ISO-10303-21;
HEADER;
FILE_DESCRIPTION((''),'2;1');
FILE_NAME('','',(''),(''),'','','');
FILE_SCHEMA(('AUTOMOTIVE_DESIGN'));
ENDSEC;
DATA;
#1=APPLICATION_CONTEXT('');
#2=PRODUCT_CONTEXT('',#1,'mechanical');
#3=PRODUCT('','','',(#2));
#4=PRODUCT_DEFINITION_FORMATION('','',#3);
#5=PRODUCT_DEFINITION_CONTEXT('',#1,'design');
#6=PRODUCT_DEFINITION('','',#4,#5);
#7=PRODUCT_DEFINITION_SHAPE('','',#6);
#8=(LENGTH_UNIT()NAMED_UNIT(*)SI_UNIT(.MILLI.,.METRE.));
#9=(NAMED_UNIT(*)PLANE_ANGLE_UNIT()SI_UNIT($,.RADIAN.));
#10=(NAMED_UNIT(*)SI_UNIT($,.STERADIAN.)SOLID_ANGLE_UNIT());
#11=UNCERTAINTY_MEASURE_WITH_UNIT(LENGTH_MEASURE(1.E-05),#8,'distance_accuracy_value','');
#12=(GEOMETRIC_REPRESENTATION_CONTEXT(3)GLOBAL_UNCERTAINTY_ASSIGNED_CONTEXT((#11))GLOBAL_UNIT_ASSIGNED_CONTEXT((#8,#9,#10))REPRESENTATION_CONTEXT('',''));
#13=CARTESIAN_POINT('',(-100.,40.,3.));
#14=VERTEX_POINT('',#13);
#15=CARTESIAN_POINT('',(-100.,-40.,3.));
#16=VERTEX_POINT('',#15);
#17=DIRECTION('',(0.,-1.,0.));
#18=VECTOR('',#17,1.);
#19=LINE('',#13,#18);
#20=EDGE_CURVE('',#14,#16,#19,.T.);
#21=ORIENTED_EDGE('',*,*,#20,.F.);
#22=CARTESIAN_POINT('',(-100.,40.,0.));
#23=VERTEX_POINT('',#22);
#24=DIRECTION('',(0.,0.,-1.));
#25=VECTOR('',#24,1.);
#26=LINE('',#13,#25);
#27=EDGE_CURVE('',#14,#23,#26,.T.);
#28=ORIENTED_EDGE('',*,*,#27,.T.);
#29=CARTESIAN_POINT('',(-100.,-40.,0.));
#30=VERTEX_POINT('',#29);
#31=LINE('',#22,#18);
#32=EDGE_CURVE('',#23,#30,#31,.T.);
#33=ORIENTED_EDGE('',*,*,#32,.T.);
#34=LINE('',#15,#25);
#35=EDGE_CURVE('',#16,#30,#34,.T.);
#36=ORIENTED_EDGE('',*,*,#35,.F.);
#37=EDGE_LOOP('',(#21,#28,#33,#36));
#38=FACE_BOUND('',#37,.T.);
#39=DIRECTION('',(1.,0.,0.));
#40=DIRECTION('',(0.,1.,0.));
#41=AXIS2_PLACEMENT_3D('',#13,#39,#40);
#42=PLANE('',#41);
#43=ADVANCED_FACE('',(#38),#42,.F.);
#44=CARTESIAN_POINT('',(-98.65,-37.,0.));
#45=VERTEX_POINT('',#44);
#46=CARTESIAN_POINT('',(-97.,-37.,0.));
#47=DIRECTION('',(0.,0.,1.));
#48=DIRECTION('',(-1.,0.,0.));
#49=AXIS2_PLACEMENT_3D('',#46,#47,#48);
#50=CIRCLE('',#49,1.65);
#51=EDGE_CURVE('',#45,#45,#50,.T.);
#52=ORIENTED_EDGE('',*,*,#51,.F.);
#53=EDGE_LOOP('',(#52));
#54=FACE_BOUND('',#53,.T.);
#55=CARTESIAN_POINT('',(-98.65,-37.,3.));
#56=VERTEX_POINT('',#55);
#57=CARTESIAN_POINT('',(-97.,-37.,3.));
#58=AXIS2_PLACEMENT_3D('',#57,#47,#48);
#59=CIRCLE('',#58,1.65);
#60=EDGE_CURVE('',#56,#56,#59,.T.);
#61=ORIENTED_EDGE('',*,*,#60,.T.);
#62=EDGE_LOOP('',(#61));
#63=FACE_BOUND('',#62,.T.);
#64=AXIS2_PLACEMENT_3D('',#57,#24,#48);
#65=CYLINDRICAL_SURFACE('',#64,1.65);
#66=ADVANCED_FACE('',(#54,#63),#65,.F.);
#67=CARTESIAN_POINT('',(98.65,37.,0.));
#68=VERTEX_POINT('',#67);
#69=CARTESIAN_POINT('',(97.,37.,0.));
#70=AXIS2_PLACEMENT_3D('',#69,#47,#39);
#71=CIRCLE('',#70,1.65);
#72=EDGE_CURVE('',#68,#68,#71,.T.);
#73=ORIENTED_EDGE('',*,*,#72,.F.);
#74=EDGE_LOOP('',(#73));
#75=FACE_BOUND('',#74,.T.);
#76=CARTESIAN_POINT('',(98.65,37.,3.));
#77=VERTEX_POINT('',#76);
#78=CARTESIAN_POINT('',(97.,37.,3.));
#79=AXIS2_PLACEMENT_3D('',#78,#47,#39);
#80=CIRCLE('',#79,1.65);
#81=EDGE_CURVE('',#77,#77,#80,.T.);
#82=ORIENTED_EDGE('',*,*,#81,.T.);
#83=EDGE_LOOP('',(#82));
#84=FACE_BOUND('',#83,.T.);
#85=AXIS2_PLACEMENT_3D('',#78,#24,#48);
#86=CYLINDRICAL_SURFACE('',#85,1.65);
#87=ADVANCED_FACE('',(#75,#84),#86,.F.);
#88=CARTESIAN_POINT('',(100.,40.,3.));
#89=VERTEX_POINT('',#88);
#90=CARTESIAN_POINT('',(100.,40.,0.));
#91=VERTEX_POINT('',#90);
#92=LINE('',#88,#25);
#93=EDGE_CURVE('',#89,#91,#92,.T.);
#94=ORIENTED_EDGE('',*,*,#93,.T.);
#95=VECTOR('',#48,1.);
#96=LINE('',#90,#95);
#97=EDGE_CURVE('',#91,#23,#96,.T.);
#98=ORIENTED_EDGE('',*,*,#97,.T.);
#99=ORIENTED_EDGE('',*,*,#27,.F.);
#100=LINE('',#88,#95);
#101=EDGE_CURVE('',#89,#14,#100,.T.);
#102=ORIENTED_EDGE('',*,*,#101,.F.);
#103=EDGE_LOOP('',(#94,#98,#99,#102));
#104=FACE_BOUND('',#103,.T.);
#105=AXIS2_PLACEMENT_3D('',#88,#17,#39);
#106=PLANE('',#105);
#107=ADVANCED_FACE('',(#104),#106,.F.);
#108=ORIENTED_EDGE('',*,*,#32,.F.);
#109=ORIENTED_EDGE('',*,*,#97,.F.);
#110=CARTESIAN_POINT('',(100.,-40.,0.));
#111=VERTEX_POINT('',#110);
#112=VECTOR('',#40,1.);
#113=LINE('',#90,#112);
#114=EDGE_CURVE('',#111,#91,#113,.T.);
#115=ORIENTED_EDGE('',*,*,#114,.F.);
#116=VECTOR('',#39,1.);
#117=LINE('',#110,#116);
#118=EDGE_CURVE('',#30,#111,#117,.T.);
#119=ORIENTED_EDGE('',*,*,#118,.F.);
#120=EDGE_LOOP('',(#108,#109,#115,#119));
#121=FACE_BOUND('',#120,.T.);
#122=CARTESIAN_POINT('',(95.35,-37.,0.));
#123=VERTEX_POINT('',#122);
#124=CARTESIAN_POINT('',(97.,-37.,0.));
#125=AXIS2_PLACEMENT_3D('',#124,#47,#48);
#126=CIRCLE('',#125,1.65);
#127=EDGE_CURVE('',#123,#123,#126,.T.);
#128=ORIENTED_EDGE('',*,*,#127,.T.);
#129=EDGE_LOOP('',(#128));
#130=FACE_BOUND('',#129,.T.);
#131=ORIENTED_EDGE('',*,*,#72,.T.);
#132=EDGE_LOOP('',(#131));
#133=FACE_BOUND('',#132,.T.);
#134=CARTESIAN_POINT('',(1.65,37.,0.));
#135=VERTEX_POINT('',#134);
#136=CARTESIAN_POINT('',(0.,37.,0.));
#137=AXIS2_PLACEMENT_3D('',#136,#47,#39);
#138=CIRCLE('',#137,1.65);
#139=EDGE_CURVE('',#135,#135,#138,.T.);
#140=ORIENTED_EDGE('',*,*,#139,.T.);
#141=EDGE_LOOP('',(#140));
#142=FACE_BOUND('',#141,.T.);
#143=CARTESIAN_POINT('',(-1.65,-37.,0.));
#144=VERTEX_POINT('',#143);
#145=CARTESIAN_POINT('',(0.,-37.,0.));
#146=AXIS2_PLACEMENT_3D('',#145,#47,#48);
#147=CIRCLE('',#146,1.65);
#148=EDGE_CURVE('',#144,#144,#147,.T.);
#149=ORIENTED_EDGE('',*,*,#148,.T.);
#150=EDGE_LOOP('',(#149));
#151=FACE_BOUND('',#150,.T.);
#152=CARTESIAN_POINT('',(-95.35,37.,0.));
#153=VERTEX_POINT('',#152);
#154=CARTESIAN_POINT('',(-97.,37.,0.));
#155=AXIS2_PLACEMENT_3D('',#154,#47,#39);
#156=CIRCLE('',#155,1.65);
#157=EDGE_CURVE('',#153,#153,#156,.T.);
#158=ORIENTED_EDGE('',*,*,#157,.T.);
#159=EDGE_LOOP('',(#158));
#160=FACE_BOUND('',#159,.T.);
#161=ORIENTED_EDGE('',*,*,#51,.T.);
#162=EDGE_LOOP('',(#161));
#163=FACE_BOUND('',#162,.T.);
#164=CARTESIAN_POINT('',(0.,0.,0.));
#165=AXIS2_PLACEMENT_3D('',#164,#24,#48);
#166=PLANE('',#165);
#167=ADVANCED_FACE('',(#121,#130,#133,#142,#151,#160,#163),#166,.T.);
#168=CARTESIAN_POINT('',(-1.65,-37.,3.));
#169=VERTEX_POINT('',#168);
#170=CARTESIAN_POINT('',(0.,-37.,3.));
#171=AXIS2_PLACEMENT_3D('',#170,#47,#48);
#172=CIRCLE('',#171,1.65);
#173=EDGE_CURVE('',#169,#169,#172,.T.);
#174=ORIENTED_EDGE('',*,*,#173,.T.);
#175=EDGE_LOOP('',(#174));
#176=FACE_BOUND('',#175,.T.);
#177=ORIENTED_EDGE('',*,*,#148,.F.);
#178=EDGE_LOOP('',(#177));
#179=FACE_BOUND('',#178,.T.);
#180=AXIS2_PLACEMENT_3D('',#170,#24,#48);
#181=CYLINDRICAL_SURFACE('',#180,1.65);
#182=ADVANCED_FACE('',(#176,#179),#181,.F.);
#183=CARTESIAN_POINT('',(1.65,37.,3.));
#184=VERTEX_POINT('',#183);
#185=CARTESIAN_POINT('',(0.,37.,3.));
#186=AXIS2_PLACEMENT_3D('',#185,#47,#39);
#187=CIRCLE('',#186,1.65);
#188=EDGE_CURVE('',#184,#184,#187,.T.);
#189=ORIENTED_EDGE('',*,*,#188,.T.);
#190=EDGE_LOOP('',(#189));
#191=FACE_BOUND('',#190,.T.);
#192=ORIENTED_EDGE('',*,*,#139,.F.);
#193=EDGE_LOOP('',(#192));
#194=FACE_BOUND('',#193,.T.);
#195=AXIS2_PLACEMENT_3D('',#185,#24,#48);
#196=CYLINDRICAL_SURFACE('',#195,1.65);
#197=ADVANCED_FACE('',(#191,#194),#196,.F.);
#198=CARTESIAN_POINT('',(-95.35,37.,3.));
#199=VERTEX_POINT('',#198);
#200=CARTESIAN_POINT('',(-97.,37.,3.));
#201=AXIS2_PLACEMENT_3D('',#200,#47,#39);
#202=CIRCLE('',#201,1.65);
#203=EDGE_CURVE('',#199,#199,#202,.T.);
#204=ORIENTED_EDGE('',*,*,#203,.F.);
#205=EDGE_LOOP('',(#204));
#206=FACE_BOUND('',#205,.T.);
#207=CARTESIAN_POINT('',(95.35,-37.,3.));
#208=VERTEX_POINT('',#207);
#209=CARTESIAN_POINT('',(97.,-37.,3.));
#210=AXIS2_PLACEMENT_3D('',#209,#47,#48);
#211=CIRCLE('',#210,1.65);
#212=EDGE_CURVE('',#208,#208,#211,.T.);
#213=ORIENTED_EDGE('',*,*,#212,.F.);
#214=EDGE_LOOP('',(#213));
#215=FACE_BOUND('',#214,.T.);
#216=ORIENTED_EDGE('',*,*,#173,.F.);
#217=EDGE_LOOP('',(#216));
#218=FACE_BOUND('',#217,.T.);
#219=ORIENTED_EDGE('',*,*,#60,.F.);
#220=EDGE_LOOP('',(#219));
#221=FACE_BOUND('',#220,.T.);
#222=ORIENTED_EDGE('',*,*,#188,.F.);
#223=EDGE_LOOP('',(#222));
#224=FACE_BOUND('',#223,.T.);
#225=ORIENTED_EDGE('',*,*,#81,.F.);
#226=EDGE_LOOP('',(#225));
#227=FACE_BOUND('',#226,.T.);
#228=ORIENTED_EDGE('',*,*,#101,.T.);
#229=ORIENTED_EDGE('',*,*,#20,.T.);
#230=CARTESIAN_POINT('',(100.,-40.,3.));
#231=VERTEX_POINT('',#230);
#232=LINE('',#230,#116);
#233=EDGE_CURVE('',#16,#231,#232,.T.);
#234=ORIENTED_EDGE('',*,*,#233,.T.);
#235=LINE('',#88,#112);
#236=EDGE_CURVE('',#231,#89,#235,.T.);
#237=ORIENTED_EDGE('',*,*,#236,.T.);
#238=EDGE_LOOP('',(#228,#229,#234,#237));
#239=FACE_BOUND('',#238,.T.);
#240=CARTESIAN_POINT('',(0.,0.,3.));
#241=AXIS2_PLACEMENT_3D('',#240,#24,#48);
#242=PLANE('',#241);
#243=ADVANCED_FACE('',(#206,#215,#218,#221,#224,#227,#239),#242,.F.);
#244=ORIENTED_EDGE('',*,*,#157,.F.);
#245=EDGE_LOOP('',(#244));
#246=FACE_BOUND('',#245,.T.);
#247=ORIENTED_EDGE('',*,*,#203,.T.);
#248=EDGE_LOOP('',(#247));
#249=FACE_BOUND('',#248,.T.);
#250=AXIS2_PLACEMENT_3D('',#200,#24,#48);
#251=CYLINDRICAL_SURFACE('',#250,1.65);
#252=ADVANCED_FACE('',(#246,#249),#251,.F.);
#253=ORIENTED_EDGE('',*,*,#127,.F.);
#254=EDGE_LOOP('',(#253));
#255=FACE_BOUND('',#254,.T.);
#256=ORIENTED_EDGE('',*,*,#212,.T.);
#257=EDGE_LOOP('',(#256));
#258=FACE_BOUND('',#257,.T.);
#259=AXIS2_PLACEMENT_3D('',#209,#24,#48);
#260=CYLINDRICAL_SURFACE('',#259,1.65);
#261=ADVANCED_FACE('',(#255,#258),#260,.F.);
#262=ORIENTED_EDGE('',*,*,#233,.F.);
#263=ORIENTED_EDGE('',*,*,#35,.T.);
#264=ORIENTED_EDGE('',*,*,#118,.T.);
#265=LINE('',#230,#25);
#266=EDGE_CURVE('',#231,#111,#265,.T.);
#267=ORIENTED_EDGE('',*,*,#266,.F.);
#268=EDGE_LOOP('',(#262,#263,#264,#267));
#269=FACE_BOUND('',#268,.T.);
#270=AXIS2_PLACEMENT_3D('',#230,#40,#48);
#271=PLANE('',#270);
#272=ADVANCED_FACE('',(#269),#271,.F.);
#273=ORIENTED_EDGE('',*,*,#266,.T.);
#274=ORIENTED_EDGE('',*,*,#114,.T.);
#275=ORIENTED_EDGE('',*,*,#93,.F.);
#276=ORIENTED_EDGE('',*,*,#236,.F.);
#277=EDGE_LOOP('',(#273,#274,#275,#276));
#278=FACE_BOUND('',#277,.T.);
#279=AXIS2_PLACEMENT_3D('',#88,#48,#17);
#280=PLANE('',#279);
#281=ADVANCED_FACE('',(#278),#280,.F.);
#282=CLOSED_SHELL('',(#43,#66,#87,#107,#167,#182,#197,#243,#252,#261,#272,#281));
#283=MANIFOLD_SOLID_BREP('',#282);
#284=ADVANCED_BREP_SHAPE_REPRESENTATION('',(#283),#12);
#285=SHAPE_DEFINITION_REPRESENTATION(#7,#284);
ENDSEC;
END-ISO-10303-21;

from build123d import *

# Parameters (mm, degrees)
SKETCH_1_W      = 200
SKETCH_1_H      = 80
SKETCH_1_R      = 1.65
EXTRUDE_1_DEPTH = 3


with BuildPart() as part:
    # 草图1 → 凸台-拉伸1 (new body)
    with BuildSketch(Plane.XY):
        Rectangle(SKETCH_1_W, SKETCH_1_H)
        with Locations((-97, 37)):
            Circle(SKETCH_1_R, mode=Mode.SUBTRACT)
        with Locations((0, 37)):
            Circle(SKETCH_1_R, mode=Mode.SUBTRACT)
        with Locations((97, 37)):
            Circle(SKETCH_1_R, mode=Mode.SUBTRACT)
        with Locations((-97, -37)):
            Circle(SKETCH_1_R, mode=Mode.SUBTRACT)
        with Locations((0, -37)):
            Circle(SKETCH_1_R, mode=Mode.SUBTRACT)
        with Locations((97, -37)):
            Circle(SKETCH_1_R, mode=Mode.SUBTRACT)
    extrude(amount=EXTRUDE_1_DEPTH)


solid = part.part
